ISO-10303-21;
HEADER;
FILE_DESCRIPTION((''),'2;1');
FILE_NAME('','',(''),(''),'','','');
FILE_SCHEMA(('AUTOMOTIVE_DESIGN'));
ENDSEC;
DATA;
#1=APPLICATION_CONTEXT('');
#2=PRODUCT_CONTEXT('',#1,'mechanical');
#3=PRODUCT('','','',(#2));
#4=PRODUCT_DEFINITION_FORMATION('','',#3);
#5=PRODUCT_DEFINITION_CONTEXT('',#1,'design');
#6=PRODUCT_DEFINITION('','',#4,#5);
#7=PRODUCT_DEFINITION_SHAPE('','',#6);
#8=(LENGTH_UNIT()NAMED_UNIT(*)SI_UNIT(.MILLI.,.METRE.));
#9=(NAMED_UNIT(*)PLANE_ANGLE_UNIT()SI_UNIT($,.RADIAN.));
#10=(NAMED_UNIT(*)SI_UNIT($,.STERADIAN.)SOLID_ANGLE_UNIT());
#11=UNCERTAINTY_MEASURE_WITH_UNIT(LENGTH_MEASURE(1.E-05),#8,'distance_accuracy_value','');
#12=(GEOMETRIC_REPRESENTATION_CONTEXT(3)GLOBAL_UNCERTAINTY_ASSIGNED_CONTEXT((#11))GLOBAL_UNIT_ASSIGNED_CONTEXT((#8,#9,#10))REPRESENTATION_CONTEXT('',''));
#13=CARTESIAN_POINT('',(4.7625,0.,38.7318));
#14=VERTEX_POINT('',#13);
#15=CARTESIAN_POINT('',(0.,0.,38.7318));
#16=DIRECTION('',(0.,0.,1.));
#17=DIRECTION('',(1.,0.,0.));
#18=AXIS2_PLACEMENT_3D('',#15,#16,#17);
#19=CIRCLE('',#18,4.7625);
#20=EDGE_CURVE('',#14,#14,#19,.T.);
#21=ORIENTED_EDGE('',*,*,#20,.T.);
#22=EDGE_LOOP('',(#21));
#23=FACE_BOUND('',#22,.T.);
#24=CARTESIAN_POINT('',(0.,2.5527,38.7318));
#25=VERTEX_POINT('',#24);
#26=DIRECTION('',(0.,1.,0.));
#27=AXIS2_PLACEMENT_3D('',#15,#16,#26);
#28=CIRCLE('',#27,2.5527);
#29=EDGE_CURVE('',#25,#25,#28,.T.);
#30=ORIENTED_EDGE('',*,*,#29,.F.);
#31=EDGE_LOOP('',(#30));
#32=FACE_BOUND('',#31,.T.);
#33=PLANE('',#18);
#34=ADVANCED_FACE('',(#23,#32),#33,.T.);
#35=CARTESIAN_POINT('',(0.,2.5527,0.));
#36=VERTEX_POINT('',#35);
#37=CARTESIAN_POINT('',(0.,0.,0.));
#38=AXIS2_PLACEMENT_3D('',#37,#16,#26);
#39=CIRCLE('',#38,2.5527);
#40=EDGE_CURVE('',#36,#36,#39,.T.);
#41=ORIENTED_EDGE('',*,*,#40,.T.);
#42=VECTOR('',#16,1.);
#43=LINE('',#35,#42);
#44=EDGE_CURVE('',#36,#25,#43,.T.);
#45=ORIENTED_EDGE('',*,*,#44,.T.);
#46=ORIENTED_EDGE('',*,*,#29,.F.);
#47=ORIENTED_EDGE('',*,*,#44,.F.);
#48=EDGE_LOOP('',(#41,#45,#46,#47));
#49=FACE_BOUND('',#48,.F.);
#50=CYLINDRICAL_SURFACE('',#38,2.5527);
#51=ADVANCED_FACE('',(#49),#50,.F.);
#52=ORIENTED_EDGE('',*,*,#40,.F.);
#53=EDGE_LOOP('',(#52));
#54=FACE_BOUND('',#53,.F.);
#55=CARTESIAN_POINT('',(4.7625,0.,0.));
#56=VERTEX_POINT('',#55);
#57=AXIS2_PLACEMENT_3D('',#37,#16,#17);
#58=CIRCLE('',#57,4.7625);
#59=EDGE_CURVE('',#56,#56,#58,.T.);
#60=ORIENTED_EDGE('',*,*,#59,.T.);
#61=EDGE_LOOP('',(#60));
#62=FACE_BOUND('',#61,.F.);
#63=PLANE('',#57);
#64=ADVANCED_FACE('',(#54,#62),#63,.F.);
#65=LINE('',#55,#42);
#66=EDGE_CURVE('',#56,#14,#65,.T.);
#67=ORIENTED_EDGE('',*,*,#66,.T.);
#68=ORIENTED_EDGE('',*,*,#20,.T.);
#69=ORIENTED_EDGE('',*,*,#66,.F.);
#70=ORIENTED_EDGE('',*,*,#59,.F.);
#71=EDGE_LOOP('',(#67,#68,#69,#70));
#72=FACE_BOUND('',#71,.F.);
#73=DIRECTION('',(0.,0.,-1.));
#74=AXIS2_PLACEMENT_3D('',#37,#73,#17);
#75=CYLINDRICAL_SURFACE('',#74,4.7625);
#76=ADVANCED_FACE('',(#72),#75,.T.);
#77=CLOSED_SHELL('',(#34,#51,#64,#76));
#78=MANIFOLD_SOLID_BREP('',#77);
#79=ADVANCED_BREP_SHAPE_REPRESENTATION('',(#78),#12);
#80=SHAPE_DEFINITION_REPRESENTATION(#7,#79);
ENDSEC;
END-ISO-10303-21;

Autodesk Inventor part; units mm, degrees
ref_plane "YZ Plane" through (0, 0, 0) normal (1, 0, 0) x (0, 1, 0)
ref_plane "XZ Plane" through (0, 0, 0) normal (0, 1, 0) x (-1, 0, 0)
ref_plane "XY Plane" through (0, 0, 0) normal (0, 0, 1) x (1, 0, 0)
sketch "Sketch1" plane through (0, 0, 0) normal (0, 0, 1) x (1, 0, 0)
  circle A0 centre (0, 0) radius 4.7625
  dimension "d10" = 9.525
extrude "Extrusion1" add sketch "Sketch1" along normal blind 38.7318
hole "Hole1" at (0, 0, 0) direction (0, 0, 1) diameter 5.1054 end through all clearance for "Flat Head Machine Screw (82)" size "#10" standard "Ansi Unified Screw Threads"
equation "\"d10\" = OutsideDiameter"
equation "\"d1\" = StandoffLength"
equation "\"d3\" = HoleDiameter"
equation "\"StandoffLength\" = 38.73183"
equation "\"HoleDiameter\" = 5.1054"
equation "\"OutsideDiameter\" = 9.525"
properties part number "AR-016" material "Aluminum 6061"
